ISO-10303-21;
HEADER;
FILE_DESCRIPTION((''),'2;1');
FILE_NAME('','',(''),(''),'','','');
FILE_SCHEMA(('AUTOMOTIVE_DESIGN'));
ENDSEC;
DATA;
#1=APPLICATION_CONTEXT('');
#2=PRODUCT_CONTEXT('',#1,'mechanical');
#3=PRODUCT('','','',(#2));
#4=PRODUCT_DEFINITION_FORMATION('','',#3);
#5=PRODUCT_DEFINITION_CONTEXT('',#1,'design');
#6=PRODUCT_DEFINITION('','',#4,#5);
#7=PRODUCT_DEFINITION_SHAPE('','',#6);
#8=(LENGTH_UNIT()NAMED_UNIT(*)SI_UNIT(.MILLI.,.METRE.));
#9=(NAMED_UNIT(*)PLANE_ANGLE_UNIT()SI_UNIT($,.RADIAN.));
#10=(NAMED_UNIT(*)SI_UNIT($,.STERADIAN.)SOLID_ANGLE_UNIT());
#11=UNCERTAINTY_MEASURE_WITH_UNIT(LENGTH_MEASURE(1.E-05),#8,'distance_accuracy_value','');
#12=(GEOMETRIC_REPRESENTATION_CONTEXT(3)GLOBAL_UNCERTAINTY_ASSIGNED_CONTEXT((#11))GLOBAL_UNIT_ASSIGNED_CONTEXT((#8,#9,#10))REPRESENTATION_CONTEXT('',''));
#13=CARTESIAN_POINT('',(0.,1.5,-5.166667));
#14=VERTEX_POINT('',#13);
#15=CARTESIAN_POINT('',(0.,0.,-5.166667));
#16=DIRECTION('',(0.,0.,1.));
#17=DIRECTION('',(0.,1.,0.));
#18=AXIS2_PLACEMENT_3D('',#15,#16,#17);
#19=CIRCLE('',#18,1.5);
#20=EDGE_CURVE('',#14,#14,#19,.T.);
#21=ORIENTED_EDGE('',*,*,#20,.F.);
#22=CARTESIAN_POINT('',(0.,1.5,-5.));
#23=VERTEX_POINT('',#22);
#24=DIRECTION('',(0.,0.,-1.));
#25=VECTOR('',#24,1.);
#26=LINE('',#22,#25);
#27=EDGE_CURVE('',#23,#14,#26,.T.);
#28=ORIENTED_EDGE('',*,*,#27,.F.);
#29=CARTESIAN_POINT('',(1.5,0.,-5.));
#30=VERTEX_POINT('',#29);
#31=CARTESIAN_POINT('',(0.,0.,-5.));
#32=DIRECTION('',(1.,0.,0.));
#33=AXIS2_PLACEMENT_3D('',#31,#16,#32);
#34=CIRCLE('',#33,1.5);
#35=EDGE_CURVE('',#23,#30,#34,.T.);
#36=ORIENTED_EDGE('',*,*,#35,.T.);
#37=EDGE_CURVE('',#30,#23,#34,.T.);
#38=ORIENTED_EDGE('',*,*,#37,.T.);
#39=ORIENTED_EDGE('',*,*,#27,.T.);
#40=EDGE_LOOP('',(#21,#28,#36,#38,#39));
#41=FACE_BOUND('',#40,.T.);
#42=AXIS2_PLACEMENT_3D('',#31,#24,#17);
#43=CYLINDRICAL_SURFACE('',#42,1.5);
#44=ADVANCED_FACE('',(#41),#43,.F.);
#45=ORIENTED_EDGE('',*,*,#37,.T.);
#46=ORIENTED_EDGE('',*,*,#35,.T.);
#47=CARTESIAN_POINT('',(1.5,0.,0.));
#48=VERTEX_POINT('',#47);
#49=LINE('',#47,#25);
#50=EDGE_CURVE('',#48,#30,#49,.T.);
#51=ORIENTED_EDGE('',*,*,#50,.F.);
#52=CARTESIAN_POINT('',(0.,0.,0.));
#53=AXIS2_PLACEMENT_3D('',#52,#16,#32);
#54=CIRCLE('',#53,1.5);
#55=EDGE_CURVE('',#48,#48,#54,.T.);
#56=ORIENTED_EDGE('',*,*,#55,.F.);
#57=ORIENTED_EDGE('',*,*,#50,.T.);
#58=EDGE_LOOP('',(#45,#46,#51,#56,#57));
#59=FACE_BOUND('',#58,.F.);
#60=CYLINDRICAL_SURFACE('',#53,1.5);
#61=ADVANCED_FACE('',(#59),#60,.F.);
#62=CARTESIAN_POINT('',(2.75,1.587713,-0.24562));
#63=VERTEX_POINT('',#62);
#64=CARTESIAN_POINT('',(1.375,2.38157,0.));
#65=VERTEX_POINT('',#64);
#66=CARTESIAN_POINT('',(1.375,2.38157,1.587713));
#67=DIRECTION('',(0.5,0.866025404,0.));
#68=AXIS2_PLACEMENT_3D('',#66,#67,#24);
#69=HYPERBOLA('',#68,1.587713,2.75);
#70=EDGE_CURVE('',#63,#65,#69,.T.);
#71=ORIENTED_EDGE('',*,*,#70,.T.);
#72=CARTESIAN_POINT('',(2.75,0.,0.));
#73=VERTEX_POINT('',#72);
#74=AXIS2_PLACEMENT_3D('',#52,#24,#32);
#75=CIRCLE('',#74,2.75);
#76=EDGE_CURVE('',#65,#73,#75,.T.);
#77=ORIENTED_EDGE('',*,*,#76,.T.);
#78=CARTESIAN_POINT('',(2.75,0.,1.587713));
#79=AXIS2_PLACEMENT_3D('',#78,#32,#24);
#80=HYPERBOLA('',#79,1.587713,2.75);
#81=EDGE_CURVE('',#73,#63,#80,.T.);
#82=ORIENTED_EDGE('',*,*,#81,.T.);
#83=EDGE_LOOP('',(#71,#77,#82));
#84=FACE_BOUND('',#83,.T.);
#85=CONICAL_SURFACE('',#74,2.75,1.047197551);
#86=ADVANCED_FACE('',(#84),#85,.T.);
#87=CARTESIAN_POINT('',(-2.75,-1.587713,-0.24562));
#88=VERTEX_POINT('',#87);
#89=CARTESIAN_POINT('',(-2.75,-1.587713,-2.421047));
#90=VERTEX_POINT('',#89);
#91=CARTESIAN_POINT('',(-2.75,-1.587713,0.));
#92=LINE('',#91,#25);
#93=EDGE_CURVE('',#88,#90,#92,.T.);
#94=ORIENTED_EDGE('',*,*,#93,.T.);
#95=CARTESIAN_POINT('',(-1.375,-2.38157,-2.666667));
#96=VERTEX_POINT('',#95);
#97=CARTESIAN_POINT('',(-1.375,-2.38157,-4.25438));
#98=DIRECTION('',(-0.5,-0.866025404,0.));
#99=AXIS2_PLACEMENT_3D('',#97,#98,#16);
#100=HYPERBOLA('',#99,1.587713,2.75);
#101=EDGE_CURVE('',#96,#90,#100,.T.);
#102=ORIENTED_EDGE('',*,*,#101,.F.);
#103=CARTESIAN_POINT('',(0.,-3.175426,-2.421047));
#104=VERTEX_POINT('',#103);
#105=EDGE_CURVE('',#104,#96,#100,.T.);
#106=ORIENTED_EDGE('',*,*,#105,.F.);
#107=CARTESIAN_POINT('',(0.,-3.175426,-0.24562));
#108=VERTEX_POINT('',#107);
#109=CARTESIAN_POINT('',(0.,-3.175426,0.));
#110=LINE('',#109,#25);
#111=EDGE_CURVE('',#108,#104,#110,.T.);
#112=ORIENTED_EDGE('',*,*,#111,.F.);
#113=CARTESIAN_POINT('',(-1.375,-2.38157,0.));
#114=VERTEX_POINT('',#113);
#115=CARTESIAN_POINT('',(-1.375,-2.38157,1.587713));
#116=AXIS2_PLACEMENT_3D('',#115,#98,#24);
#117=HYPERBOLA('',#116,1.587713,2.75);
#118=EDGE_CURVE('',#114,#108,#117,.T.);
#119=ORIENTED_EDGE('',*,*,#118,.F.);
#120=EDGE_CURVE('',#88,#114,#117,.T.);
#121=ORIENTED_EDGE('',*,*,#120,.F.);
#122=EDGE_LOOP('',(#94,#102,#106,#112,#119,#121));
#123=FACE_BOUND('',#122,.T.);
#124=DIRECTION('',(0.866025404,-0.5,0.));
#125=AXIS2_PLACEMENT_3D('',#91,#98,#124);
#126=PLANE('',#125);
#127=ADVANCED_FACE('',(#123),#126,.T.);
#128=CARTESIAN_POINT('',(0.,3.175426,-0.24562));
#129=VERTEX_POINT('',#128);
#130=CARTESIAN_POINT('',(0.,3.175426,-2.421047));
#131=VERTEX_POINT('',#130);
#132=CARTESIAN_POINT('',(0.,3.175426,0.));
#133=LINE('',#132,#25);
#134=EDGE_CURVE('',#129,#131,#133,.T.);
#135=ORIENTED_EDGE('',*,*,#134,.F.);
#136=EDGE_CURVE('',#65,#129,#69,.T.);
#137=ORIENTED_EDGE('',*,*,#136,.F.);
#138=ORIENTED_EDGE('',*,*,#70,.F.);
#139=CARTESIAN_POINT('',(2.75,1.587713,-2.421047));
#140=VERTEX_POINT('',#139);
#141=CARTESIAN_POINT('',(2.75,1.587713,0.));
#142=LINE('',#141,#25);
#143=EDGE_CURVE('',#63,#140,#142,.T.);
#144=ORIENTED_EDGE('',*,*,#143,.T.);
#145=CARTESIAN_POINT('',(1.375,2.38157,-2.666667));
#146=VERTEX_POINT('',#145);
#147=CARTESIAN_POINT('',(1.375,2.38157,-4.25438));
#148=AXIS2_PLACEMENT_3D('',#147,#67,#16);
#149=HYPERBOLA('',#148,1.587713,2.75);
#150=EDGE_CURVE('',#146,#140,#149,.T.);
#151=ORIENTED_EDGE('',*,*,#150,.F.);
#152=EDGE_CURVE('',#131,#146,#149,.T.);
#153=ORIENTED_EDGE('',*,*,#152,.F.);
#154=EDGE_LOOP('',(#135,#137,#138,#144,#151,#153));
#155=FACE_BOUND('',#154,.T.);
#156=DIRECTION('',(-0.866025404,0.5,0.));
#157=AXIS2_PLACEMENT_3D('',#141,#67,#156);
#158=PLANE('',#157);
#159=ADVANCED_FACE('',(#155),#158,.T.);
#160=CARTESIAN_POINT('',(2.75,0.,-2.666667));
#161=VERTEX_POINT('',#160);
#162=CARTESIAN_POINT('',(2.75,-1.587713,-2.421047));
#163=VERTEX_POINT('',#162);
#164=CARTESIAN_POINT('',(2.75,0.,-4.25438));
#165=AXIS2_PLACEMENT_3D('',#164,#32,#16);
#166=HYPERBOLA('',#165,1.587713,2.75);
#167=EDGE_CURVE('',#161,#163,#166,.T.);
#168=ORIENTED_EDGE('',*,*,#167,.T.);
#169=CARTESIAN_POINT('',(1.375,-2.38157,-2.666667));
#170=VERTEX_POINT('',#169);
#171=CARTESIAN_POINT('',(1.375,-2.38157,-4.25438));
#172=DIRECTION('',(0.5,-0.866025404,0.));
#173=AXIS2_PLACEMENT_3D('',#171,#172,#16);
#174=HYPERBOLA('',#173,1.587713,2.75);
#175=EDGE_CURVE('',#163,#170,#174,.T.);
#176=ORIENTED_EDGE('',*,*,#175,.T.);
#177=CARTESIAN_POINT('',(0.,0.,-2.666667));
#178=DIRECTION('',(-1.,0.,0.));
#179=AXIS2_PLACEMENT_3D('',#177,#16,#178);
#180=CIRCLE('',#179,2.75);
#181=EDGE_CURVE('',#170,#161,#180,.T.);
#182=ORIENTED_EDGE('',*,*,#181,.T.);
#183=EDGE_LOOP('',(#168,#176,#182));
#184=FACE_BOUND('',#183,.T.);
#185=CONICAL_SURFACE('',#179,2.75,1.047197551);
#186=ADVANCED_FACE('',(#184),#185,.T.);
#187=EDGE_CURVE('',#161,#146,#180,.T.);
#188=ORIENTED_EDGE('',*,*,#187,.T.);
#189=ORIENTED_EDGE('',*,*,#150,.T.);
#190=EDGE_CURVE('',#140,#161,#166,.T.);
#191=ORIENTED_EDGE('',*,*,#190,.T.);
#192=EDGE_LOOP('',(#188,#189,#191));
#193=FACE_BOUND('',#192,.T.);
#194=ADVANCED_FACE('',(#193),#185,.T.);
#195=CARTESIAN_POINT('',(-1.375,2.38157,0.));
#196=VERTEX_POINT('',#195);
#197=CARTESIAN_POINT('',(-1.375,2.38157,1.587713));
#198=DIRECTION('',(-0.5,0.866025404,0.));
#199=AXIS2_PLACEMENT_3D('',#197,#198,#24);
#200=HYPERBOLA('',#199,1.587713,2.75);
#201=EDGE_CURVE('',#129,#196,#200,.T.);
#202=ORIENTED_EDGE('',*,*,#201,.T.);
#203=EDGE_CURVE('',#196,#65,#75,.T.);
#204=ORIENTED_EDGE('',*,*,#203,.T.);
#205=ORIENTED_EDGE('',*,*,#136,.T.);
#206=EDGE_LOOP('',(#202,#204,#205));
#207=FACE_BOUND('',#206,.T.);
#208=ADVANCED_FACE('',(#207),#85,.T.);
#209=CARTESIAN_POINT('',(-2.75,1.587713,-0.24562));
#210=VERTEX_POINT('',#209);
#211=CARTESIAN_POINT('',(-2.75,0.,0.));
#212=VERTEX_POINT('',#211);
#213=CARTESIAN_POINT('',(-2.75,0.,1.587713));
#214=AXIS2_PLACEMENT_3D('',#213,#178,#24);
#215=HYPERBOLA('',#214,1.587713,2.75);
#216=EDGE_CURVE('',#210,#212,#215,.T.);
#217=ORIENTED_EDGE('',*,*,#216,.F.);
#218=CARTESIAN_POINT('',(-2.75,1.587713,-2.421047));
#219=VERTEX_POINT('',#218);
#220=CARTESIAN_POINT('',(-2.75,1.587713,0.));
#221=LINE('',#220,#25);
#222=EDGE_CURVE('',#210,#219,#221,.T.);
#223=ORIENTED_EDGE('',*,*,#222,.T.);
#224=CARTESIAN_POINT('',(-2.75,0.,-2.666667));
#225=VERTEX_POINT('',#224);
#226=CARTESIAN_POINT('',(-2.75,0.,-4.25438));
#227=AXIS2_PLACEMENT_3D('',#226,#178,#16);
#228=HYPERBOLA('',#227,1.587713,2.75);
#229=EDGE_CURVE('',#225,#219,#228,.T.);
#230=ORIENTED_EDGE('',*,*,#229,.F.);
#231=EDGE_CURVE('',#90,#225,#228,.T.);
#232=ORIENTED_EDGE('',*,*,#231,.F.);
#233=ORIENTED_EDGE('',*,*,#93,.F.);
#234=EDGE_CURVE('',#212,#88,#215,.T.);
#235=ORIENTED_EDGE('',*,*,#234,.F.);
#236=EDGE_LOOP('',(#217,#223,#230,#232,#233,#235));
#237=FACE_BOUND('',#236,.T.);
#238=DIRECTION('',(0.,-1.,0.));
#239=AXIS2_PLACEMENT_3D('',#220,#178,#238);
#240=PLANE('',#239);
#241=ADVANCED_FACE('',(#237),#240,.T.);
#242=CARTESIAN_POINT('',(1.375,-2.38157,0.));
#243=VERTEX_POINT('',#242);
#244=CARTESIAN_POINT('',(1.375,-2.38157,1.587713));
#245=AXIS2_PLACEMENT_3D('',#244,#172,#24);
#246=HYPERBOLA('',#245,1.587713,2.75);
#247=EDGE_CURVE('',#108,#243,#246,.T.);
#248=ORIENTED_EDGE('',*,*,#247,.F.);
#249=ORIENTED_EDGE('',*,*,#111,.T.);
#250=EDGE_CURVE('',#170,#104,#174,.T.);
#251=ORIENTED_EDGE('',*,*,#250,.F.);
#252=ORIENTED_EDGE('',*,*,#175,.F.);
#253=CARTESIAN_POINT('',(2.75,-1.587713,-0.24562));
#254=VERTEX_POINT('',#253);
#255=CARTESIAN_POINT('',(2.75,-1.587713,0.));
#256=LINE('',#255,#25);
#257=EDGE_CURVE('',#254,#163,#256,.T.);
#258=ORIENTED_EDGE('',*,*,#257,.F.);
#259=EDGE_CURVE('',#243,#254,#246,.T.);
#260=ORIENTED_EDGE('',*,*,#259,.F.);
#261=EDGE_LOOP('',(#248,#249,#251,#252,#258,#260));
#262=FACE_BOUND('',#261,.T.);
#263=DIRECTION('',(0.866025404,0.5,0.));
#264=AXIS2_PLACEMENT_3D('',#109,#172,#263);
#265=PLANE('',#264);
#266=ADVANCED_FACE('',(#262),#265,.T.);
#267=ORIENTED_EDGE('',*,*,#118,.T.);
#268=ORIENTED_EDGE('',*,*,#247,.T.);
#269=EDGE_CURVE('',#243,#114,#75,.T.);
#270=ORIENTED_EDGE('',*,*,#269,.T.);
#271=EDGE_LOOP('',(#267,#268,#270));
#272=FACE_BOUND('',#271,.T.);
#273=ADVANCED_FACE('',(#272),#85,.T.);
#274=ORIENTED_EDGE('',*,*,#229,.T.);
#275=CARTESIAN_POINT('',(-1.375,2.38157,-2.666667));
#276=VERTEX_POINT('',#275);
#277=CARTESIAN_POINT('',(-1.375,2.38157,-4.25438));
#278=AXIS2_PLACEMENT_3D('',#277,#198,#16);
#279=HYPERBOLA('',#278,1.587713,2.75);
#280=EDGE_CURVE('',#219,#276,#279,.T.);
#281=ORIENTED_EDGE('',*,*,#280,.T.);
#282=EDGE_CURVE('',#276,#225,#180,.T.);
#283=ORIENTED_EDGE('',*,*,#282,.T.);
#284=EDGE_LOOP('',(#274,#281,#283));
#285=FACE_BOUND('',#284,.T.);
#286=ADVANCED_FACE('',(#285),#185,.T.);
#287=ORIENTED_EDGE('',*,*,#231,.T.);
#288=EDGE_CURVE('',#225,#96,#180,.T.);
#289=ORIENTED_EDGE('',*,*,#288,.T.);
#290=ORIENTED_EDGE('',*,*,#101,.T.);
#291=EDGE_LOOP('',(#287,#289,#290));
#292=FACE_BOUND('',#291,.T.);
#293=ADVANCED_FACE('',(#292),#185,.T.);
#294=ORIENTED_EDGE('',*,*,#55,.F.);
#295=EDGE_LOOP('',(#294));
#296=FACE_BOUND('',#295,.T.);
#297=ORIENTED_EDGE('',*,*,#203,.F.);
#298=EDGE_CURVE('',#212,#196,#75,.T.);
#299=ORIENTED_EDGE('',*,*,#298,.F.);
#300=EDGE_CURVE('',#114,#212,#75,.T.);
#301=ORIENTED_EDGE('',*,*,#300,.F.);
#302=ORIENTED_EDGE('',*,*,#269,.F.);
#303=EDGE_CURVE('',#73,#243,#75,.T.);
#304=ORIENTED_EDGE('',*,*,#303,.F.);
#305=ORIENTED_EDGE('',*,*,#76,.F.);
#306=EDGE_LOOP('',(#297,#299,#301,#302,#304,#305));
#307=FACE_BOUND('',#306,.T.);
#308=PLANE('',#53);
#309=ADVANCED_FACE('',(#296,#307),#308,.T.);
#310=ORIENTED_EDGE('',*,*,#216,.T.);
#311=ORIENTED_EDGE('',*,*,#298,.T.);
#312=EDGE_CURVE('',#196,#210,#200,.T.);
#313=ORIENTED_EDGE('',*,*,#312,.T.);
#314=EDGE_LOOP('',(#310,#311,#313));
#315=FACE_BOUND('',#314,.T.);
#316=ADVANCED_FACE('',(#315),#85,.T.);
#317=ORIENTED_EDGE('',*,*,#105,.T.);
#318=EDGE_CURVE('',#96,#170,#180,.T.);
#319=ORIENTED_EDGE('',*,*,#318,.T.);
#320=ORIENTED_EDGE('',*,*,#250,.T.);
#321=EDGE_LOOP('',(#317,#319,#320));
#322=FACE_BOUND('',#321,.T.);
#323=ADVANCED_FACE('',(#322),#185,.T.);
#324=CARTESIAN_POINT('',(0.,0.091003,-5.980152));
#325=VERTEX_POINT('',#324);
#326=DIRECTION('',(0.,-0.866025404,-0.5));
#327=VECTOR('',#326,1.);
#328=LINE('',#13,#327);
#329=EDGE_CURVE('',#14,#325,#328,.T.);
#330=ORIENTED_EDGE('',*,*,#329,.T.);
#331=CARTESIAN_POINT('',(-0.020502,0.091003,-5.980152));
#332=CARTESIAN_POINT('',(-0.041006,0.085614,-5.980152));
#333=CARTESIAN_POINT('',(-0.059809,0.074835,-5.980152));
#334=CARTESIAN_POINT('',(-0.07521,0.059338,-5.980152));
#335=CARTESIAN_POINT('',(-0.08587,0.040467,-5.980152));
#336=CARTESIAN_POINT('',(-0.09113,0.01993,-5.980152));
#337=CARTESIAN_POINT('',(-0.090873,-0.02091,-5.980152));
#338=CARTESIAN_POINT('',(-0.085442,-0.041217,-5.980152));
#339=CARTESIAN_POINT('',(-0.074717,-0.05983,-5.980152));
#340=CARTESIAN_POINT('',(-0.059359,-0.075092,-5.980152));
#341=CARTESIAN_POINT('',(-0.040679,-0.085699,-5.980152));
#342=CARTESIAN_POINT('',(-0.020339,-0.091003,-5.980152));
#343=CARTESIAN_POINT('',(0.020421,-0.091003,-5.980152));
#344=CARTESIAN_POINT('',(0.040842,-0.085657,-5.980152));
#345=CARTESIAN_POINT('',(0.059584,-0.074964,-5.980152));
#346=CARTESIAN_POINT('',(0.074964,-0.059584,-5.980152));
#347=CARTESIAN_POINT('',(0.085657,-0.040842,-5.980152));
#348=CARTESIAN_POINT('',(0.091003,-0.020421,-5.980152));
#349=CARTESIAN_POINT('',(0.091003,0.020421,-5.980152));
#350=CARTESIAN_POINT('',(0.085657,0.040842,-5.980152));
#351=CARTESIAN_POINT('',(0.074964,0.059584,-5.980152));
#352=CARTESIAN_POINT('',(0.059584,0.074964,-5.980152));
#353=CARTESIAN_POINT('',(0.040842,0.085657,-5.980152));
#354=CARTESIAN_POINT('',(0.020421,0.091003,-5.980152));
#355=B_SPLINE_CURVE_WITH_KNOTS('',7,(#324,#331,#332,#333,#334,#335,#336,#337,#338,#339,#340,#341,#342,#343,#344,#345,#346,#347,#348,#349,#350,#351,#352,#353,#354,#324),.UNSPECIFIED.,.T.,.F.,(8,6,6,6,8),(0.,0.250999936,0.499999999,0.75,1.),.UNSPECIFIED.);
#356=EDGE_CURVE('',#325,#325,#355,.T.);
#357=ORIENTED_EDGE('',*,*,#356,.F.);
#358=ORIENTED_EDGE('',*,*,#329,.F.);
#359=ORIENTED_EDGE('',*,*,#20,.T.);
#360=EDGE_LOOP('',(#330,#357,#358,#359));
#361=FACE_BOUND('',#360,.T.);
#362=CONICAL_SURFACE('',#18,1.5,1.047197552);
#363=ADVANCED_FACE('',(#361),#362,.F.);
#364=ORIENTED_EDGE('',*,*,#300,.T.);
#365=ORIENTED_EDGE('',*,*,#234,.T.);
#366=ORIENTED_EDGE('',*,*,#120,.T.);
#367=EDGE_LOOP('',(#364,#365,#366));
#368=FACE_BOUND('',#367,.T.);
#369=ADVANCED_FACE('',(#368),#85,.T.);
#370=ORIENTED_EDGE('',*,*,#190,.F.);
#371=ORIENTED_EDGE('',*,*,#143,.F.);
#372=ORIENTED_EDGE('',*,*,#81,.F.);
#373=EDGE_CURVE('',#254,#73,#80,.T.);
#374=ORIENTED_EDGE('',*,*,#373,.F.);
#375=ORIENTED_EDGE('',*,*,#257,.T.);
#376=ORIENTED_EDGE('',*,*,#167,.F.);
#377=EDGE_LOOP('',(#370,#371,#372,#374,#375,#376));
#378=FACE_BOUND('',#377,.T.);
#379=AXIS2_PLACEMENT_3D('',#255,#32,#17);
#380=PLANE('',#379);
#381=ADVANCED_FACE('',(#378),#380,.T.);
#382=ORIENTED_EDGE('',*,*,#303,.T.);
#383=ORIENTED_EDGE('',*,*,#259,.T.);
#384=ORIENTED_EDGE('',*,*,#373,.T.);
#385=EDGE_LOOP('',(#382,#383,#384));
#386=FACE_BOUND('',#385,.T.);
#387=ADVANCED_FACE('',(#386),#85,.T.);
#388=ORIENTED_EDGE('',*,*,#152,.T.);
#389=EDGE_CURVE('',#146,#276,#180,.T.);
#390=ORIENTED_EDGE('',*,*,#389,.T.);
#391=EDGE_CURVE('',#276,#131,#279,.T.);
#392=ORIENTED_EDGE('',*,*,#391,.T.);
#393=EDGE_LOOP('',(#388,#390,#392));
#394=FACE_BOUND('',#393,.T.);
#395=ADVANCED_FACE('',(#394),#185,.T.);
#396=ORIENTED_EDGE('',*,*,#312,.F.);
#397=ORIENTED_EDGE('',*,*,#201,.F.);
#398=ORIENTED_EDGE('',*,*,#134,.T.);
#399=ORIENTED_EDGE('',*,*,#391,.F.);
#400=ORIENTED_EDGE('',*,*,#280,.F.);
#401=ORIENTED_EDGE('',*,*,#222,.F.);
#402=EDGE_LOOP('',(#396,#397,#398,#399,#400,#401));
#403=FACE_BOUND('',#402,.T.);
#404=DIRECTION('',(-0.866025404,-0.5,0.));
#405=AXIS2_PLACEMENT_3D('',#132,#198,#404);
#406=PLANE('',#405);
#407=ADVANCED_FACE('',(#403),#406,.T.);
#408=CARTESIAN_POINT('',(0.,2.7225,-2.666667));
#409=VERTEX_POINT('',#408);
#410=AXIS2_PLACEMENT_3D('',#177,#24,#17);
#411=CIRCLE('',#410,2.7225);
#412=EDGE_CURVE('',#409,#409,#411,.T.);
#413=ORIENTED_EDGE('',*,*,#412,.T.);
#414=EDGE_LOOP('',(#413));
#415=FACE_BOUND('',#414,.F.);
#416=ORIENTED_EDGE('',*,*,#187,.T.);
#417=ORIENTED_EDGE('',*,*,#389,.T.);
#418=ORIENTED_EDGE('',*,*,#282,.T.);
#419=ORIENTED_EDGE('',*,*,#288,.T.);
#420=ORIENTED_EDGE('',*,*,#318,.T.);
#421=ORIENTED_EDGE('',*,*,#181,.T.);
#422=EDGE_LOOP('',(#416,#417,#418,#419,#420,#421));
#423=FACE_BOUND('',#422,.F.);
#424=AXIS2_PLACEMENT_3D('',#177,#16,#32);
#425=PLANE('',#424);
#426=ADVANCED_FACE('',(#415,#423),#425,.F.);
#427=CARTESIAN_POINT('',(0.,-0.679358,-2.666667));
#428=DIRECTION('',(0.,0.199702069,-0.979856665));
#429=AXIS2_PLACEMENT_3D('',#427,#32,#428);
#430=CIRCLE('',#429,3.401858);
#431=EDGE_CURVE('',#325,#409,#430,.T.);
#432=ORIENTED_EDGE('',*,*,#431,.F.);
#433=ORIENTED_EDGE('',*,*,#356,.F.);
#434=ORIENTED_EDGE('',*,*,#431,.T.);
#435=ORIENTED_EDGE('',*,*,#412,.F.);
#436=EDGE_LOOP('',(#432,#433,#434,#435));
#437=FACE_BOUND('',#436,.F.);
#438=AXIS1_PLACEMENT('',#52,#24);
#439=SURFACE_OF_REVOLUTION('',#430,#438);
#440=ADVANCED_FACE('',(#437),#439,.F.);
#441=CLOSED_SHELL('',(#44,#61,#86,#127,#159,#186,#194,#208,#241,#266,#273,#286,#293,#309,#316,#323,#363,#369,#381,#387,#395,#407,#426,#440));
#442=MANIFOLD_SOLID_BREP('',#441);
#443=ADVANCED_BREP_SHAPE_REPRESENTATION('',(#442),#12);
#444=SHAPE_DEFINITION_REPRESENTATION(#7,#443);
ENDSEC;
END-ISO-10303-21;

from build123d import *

# Parameters (mm, degrees)
EXTRUDE1_DEPTH     = 2.666666667
SKETCH2_OUTSIDE_W  = 21.964
SKETCH2_OUTSIDE_H  = 22.814
SKETCH2_OUTSIDE_R  = 2.75
CUT_EXTRUDE1_DEPTH = 3.666666667
CUT_EXTRUDE1_TAPER = 60
SKETCH3_OUTSIDE_W  = 21.964
SKETCH3_OUTSIDE_H  = 22.814
SKETCH3_OUTSIDE_R  = 2.75
CUT_EXTRUDE2_DEPTH = 3.666666667
CUT_EXTRUDE2_TAPER = 60
SKETCH4_R          = 1.5
CUT_EXTRUDE3_DEPTH = 5


with BuildPart() as part:
    # Sketch1 → Extrude1 (new body)
    with BuildSketch(Plane.XY):
        Polygon((0, 3.175426481), (-2.75, 1.58771324), (-2.75, -1.58771324), (0, -3.175426481), (2.75, -1.58771324), (2.75, 1.58771324), align=None)
    extrude(amount=-EXTRUDE1_DEPTH)

    # Sketch2 outside → Cut-Extrude1 (cut, through all)
    with BuildSketch(Plane.XY):
        Rectangle(SKETCH2_OUTSIDE_W, SKETCH2_OUTSIDE_H)
        Circle(SKETCH2_OUTSIDE_R, mode=Mode.SUBTRACT)
    extrude(amount=-CUT_EXTRUDE1_DEPTH, taper=CUT_EXTRUDE1_TAPER, mode=Mode.SUBTRACT)

    # Sketch3 outside → Cut-Extrude2 (cut, through all)
    with BuildSketch(Plane(origin=(0, 0, -2.666666667), x_dir=(-1, 0, 0), z_dir=(0, 0, -1))):
        Rectangle(SKETCH3_OUTSIDE_W, SKETCH3_OUTSIDE_H)
        Circle(SKETCH3_OUTSIDE_R, mode=Mode.SUBTRACT)
    extrude(amount=-CUT_EXTRUDE2_DEPTH, taper=CUT_EXTRUDE2_TAPER, mode=Mode.SUBTRACT)

    # Sketch14 → Revolve1 (revolve)
    with BuildSketch(Plane(origin=(0, 0, 0), x_dir=(0, 0, -1), z_dir=(1, 0, 0))):
        with BuildLine():
            Line((2.666666667, 2.7225), (2.666666667, 0))
            Line((2.666666667, 0), (6, 0))
            ThreePointArc((6, 0), (4.818591233, 1.955382721), (2.666666667, 2.7225))
        make_face()
    revolve(axis=Axis((0, 0, 0), (0, 0, -1)))

    # Sketch4 → Cut-Extrude3 (cut)
    with BuildSketch(Plane.XY):
        Circle(SKETCH4_R)
    extrude(amount=-CUT_EXTRUDE3_DEPTH, mode=Mode.SUBTRACT)

    # Sketch20 → Cut-Revolve1 (revolve, cut)
    with BuildSketch(Plane(origin=(0, 0, 0), x_dir=(0, 0, -1), z_dir=(1, 0, 0))):
        Polygon((5.166666667, 1.5), (6.03269207, 0), (5, 0), (5, 1.5), align=None)
    revolve(axis=Axis((0, 0, 0), (0, 0, 1)), mode=Mode.SUBTRACT)


solid = part.part
